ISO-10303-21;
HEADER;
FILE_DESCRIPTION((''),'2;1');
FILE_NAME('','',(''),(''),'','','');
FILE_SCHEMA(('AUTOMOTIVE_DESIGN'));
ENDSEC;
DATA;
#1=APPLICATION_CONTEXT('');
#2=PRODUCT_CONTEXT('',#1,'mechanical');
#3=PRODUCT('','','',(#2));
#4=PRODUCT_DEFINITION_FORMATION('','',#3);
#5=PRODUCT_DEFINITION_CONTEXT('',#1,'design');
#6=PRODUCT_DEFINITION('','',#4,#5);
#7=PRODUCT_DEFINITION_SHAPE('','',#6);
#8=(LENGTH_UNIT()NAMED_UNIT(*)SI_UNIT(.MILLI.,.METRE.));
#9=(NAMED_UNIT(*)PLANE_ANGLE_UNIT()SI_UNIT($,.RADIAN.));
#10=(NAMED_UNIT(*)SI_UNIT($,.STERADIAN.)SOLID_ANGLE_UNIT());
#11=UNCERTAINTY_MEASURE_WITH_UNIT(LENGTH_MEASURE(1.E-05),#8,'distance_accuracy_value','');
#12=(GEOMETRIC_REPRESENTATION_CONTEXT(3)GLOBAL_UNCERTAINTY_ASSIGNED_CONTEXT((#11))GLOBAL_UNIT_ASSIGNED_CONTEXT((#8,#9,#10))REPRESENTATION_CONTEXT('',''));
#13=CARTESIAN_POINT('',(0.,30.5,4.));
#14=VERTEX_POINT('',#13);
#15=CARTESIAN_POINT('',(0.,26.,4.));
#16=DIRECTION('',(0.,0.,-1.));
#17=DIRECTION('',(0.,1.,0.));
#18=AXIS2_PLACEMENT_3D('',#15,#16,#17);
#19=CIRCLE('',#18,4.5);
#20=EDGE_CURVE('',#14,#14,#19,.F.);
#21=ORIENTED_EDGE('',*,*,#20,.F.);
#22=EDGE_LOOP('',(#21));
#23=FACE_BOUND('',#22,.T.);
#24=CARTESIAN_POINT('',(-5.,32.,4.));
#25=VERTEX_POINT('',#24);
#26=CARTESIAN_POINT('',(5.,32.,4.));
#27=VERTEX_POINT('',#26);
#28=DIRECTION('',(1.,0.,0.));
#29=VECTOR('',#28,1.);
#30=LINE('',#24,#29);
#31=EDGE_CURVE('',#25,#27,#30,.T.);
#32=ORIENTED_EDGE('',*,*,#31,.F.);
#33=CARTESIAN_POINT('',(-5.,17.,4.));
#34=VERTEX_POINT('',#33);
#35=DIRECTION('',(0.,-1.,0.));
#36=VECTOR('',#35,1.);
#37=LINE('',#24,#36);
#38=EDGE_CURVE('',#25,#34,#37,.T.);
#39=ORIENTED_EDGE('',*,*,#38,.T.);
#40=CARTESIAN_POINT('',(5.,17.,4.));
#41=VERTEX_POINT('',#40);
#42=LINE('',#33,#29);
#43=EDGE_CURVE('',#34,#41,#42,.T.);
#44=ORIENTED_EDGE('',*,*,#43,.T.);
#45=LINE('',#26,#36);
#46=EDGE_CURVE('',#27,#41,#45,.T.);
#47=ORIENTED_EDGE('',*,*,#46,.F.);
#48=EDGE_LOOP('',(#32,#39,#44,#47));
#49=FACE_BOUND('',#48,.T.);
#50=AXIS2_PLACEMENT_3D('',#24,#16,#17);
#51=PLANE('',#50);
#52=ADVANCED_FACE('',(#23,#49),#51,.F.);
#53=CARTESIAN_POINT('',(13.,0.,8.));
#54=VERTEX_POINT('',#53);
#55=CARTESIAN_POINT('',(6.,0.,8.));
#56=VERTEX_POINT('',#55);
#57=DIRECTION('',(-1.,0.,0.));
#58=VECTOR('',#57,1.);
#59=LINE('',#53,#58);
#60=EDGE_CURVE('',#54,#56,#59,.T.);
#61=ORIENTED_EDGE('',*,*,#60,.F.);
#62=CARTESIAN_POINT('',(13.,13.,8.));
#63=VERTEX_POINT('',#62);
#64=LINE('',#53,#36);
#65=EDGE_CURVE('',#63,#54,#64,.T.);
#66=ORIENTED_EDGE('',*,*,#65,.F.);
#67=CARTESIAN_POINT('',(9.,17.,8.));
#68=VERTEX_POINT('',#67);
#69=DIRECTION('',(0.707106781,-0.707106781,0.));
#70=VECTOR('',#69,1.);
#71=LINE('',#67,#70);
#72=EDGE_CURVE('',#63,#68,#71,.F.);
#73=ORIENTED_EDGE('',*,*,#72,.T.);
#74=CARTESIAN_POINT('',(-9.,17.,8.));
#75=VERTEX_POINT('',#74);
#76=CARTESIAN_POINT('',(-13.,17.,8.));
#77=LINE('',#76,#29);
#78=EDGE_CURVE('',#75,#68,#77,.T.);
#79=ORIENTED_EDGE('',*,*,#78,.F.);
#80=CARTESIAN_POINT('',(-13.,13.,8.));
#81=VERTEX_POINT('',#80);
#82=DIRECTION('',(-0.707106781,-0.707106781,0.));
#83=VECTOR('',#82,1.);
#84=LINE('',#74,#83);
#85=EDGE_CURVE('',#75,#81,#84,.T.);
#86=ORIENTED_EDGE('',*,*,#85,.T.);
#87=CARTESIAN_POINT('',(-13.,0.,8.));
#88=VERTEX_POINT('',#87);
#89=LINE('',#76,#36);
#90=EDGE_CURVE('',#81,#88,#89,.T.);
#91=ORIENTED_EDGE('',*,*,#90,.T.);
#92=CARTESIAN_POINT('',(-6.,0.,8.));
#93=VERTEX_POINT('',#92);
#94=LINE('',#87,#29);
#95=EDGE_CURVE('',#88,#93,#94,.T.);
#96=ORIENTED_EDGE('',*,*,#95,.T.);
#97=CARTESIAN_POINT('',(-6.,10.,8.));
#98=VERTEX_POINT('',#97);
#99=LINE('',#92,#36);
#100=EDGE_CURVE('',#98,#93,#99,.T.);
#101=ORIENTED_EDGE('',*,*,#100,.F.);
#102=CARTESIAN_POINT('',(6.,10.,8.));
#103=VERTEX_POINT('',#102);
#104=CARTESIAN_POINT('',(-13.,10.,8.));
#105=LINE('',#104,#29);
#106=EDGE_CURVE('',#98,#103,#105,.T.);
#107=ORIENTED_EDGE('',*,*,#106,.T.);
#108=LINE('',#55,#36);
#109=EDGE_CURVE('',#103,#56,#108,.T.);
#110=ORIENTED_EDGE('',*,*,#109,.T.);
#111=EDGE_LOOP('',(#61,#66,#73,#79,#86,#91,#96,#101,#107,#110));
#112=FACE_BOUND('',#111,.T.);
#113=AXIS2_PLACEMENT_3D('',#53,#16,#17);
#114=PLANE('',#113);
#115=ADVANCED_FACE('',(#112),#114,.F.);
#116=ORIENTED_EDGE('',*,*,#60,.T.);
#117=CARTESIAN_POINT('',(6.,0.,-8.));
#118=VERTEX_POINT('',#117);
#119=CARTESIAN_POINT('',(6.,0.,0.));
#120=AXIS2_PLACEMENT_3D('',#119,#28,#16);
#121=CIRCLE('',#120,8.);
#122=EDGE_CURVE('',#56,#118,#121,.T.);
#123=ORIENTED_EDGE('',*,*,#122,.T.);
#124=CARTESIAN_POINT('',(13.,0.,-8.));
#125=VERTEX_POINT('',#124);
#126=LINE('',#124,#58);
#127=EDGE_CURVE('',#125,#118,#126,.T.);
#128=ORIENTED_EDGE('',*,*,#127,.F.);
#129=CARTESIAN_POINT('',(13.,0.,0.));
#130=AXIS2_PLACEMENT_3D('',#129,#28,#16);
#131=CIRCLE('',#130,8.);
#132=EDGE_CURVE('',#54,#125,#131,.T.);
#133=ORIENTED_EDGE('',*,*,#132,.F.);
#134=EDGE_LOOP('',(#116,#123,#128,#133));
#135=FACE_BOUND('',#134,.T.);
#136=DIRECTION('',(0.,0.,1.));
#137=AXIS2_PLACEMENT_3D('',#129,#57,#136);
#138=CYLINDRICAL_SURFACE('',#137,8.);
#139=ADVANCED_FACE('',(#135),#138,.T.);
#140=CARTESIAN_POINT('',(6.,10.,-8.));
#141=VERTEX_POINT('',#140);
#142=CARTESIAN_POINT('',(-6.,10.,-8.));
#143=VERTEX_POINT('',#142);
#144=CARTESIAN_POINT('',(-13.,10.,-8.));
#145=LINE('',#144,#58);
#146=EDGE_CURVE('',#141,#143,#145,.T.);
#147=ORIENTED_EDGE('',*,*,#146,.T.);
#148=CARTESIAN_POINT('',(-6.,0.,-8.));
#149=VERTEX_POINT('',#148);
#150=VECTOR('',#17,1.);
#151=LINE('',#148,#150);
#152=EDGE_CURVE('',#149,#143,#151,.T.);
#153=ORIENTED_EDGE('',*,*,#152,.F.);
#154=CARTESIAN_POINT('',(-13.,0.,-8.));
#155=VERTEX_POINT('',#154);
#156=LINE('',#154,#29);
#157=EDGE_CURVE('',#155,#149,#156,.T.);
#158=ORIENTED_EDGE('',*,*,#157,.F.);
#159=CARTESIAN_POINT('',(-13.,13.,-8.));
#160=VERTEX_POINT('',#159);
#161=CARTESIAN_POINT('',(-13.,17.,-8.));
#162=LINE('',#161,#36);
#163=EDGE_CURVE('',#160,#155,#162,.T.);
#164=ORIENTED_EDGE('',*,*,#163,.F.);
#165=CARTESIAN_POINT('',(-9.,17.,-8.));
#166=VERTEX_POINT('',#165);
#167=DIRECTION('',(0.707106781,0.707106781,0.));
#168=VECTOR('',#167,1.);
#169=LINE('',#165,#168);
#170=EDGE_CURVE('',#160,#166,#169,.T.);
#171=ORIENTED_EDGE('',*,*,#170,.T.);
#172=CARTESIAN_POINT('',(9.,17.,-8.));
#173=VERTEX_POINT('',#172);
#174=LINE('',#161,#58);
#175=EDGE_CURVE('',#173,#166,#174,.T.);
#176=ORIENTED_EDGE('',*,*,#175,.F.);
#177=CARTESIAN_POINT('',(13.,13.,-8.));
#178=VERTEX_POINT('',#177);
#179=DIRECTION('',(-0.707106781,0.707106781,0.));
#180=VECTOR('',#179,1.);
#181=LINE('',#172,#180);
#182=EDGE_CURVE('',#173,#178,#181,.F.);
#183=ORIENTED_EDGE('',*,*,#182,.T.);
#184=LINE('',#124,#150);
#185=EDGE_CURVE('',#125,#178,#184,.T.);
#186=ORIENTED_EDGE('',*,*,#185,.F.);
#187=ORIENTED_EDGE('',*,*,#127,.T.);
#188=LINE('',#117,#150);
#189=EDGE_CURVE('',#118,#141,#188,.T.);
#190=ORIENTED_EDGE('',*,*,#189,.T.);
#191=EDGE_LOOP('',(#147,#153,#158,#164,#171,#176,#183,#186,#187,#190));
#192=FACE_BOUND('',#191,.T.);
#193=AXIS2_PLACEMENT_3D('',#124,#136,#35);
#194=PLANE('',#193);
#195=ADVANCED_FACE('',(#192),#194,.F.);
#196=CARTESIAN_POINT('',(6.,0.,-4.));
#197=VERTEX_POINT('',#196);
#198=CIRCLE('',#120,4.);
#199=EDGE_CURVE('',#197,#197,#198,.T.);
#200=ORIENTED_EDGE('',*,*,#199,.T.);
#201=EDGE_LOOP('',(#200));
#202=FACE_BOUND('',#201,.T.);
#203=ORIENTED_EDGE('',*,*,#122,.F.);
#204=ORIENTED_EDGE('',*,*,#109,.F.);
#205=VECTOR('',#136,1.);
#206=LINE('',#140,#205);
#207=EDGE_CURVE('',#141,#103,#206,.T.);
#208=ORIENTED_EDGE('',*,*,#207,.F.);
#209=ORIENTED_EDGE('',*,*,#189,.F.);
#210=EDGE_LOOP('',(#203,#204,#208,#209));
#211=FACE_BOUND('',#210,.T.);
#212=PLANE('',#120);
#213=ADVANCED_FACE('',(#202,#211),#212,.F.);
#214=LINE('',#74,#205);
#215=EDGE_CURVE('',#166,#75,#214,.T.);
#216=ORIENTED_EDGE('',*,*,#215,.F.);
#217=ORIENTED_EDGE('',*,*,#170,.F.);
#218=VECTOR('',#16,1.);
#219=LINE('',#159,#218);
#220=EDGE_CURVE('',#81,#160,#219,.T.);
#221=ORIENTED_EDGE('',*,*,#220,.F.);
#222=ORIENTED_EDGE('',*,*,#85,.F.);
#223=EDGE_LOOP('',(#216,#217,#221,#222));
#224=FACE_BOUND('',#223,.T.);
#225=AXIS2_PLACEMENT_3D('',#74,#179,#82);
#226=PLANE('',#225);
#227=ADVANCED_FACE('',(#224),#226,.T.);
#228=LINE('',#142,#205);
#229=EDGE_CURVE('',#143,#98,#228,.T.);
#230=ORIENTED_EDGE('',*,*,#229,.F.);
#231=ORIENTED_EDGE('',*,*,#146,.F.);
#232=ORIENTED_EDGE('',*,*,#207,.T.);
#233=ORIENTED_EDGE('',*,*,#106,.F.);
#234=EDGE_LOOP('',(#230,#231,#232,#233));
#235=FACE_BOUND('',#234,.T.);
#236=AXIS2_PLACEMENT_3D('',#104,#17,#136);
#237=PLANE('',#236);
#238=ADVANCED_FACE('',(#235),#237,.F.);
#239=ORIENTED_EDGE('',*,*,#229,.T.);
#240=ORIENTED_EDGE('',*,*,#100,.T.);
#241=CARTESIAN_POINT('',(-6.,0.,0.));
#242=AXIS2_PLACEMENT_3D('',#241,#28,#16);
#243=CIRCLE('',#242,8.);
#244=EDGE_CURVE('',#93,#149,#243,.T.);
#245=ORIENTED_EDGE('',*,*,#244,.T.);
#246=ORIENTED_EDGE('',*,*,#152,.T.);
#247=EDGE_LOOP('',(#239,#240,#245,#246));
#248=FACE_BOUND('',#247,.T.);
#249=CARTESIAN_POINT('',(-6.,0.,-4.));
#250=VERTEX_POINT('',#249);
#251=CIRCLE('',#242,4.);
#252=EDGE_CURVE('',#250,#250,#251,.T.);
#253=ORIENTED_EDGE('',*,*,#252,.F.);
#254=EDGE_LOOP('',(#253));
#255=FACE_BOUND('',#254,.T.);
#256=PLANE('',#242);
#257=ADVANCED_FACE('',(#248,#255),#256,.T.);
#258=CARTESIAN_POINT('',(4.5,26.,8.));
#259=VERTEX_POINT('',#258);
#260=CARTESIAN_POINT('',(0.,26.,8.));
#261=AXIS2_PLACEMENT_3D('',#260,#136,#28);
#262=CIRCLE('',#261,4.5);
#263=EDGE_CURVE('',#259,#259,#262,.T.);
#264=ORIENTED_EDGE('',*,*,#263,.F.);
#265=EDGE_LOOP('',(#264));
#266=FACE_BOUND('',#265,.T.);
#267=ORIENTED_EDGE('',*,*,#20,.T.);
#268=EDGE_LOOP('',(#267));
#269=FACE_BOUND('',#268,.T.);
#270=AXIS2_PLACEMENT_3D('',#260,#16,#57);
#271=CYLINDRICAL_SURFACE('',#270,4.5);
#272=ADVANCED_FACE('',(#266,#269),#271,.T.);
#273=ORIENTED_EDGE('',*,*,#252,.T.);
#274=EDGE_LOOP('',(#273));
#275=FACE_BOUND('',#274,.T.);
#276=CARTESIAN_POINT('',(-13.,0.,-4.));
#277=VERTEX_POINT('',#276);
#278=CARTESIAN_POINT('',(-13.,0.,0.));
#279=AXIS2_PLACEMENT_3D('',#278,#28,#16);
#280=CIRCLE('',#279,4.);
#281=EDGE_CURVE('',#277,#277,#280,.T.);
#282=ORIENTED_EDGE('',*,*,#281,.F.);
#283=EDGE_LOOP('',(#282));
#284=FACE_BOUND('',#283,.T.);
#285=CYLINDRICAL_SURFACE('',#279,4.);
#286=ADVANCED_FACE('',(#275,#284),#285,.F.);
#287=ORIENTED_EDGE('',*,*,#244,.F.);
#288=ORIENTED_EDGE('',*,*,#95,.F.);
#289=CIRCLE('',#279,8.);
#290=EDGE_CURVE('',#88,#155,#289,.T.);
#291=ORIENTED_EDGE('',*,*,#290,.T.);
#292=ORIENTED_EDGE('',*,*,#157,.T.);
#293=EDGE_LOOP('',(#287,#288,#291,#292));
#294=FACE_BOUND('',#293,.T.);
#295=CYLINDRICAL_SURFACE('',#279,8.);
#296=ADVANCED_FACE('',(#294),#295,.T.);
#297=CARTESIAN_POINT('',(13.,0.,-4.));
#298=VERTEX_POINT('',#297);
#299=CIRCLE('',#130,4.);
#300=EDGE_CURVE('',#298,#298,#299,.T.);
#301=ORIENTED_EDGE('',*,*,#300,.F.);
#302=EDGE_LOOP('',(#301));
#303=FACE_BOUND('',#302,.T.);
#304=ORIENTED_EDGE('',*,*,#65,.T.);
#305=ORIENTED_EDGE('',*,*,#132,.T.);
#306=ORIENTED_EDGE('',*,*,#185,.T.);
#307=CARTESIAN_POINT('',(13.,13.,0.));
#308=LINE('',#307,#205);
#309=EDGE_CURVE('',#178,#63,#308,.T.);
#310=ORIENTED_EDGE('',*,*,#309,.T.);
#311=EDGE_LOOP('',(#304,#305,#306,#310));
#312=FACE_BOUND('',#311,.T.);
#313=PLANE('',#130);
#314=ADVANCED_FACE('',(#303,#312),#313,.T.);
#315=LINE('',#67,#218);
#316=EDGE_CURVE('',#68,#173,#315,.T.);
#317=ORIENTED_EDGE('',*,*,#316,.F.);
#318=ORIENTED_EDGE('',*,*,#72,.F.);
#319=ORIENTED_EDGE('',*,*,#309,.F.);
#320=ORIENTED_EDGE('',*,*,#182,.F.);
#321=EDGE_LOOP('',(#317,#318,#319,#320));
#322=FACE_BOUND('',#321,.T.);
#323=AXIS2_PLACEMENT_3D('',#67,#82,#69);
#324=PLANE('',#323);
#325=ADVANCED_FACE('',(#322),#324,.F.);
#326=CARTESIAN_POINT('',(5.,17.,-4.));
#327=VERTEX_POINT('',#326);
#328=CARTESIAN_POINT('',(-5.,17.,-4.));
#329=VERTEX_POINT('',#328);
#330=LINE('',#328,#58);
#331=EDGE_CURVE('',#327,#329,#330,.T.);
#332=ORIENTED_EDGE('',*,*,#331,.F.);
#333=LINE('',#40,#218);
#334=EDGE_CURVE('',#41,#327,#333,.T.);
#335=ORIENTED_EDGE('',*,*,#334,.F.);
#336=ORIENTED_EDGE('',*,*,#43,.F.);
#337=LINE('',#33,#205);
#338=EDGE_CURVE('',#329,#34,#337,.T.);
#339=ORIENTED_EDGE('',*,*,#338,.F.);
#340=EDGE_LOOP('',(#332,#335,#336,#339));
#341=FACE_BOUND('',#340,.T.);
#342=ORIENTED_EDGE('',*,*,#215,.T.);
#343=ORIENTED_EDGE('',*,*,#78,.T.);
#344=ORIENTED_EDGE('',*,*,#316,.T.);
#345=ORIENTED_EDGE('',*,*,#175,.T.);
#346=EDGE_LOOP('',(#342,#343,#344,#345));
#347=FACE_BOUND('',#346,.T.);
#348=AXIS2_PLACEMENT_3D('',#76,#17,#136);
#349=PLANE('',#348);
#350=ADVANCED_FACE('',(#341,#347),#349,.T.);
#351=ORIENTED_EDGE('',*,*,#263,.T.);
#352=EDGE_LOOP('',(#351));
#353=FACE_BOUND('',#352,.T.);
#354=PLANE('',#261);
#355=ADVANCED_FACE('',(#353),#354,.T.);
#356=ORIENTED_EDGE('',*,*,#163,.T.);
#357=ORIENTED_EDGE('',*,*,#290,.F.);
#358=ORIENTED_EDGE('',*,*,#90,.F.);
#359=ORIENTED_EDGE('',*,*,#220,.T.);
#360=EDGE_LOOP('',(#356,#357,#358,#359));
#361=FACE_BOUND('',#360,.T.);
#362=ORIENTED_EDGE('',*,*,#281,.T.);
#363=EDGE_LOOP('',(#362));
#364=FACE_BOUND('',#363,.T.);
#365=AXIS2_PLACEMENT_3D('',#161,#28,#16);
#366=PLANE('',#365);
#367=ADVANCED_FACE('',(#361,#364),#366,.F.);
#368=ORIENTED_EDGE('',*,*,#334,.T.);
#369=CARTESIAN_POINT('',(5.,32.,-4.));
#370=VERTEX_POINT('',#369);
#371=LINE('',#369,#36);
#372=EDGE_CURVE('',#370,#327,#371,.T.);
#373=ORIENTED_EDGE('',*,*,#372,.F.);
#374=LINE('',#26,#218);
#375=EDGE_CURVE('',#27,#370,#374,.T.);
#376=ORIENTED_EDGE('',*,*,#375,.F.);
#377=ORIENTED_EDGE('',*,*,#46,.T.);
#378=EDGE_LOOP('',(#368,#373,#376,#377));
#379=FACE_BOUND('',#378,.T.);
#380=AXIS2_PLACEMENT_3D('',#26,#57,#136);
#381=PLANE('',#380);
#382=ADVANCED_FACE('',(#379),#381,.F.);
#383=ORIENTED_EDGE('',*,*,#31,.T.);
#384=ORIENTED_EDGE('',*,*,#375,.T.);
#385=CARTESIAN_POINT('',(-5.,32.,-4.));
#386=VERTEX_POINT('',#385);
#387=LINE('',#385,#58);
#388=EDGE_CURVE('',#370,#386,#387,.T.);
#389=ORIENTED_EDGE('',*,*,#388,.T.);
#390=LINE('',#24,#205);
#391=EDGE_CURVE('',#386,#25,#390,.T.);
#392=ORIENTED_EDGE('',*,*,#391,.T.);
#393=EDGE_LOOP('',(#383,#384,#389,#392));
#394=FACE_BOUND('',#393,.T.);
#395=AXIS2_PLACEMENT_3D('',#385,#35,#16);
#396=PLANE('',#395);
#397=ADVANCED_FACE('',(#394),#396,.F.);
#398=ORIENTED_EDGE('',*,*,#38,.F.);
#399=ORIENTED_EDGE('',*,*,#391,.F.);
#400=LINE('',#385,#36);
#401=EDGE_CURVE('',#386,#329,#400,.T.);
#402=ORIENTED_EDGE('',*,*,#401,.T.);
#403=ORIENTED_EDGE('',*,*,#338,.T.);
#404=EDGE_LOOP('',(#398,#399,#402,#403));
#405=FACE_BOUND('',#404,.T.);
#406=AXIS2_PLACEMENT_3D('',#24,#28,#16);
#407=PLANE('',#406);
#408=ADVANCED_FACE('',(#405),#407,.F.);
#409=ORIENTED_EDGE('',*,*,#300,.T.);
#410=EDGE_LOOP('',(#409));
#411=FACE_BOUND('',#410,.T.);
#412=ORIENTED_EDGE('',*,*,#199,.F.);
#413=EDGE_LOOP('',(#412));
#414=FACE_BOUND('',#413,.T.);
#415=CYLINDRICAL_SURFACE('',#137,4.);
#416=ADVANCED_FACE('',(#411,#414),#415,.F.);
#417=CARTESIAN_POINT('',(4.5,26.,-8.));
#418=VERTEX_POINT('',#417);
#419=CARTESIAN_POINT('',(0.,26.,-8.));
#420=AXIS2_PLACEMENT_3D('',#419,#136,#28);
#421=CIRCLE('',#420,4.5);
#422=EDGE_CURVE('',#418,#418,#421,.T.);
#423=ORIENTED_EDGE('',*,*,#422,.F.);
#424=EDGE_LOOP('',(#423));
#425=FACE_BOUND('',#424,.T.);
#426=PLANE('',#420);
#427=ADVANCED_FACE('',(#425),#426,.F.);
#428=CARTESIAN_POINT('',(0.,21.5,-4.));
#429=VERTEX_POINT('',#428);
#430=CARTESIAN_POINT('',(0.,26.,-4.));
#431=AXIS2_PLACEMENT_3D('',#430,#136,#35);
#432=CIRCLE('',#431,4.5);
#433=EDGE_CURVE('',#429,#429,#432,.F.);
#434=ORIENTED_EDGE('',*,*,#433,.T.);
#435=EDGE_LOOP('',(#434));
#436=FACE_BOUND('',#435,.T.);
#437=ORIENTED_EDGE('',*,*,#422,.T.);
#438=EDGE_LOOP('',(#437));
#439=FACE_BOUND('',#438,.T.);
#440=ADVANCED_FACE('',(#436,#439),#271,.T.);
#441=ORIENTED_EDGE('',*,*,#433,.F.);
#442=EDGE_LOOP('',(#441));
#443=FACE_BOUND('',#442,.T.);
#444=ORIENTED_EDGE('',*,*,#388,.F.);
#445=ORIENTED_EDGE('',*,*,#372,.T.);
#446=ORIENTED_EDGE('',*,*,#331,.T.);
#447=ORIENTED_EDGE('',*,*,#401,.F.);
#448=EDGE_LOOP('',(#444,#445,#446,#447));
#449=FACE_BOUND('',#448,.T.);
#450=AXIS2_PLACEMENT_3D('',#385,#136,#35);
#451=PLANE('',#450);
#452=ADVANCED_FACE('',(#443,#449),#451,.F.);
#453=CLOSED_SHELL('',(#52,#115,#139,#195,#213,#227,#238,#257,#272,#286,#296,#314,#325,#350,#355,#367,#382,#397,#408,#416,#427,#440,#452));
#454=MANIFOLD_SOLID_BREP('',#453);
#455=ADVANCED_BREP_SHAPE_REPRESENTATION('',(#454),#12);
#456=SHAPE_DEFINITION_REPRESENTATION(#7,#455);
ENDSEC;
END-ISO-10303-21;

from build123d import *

# Parameters (mm, degrees)
BOSS_EXTRUDE1_START = 6
SKETCH1_R           = 4
BOSS_EXTRUDE1_DEPTH = 7
BOSS_EXTRUDE2_START = -6
SKETCH1_2_R         = 4
BOSS_EXTRUDE2_DEPTH = 7
SKETCH2_W           = 26
SKETCH2_H           = 16
BOSS_EXTRUDE3_DEPTH = 7
CHAMFER1_SIZE       = 4
SKETCH3_W           = 10
SKETCH3_H           = 8
BOSS_EXTRUDE4_DEPTH = 15
SKETCH5_R           = 4.5
BOSS_EXTRUDE5_DEPTH = 8


with BuildPart() as part:
    # Sketch1 → Boss-Extrude1 (new body)
    with BuildSketch(Plane(origin=(0, 0, 0), x_dir=(0, 0, -1), z_dir=(1, 0, 0)).offset(BOSS_EXTRUDE1_START)):
        with BuildLine():
            Line((8, 10), (-8, 10))
            Line((-8, 10), (-8, 0))
            ThreePointArc((-8, 0), (0, -8), (8, 0))
            Line((8, 0), (8, 10))
        make_face()
        Circle(SKETCH1_R, mode=Mode.SUBTRACT)
    extrude(amount=BOSS_EXTRUDE1_DEPTH)



with BuildPart() as body_2:
    # Sketch1<2> → Boss-Extrude2 (new body)
    with BuildSketch(Plane(origin=(0, 0, 0), x_dir=(0, 0, -1), z_dir=(1, 0, 0)).offset(BOSS_EXTRUDE2_START)):
        with BuildLine():
            Line((8, 10), (-8, 10))
            Line((-8, 10), (-8, 0))
            ThreePointArc((-8, 0), (0, -8), (8, 0))
            Line((8, 0), (8, 10))
        make_face()
        Circle(SKETCH1_2_R, mode=Mode.SUBTRACT)
    extrude(amount=-BOSS_EXTRUDE2_DEPTH)


with BuildPart() as part_1:
    add(part.part)

    add(body_2.part)  # Boss-Extrude3 merges body 2
    # Sketch2 → Boss-Extrude3 (add)
    with BuildSketch(Plane(origin=(0, 10, 0), x_dir=(1, 0, 0), z_dir=(0, 1, 0))):
        Rectangle(SKETCH2_W, SKETCH2_H)
    extrude(amount=BOSS_EXTRUDE3_DEPTH)

    # Chamfer1
    chamfer1_edges = [part_1.edges().sort_by_distance(p)[0] for p in [
        (-13, 17, 0),
        (13, 17, 0),
    ]]
    chamfer(chamfer1_edges, length=CHAMFER1_SIZE)

    # Sketch3 → Boss-Extrude4 (add)
    with BuildSketch(Plane(origin=(0, 17, 0), x_dir=(1, 0, 0), z_dir=(0, 1, 0))):
        Rectangle(SKETCH3_W, SKETCH3_H)
    extrude(amount=BOSS_EXTRUDE4_DEPTH)

    # Sketch5 → Boss-Extrude5 (add, symmetric)
    with BuildSketch(Plane.XY):
        with Locations((0, 26)):
            Circle(SKETCH5_R)
    extrude(amount=BOSS_EXTRUDE5_DEPTH, both=True)


solid = part_1.part
